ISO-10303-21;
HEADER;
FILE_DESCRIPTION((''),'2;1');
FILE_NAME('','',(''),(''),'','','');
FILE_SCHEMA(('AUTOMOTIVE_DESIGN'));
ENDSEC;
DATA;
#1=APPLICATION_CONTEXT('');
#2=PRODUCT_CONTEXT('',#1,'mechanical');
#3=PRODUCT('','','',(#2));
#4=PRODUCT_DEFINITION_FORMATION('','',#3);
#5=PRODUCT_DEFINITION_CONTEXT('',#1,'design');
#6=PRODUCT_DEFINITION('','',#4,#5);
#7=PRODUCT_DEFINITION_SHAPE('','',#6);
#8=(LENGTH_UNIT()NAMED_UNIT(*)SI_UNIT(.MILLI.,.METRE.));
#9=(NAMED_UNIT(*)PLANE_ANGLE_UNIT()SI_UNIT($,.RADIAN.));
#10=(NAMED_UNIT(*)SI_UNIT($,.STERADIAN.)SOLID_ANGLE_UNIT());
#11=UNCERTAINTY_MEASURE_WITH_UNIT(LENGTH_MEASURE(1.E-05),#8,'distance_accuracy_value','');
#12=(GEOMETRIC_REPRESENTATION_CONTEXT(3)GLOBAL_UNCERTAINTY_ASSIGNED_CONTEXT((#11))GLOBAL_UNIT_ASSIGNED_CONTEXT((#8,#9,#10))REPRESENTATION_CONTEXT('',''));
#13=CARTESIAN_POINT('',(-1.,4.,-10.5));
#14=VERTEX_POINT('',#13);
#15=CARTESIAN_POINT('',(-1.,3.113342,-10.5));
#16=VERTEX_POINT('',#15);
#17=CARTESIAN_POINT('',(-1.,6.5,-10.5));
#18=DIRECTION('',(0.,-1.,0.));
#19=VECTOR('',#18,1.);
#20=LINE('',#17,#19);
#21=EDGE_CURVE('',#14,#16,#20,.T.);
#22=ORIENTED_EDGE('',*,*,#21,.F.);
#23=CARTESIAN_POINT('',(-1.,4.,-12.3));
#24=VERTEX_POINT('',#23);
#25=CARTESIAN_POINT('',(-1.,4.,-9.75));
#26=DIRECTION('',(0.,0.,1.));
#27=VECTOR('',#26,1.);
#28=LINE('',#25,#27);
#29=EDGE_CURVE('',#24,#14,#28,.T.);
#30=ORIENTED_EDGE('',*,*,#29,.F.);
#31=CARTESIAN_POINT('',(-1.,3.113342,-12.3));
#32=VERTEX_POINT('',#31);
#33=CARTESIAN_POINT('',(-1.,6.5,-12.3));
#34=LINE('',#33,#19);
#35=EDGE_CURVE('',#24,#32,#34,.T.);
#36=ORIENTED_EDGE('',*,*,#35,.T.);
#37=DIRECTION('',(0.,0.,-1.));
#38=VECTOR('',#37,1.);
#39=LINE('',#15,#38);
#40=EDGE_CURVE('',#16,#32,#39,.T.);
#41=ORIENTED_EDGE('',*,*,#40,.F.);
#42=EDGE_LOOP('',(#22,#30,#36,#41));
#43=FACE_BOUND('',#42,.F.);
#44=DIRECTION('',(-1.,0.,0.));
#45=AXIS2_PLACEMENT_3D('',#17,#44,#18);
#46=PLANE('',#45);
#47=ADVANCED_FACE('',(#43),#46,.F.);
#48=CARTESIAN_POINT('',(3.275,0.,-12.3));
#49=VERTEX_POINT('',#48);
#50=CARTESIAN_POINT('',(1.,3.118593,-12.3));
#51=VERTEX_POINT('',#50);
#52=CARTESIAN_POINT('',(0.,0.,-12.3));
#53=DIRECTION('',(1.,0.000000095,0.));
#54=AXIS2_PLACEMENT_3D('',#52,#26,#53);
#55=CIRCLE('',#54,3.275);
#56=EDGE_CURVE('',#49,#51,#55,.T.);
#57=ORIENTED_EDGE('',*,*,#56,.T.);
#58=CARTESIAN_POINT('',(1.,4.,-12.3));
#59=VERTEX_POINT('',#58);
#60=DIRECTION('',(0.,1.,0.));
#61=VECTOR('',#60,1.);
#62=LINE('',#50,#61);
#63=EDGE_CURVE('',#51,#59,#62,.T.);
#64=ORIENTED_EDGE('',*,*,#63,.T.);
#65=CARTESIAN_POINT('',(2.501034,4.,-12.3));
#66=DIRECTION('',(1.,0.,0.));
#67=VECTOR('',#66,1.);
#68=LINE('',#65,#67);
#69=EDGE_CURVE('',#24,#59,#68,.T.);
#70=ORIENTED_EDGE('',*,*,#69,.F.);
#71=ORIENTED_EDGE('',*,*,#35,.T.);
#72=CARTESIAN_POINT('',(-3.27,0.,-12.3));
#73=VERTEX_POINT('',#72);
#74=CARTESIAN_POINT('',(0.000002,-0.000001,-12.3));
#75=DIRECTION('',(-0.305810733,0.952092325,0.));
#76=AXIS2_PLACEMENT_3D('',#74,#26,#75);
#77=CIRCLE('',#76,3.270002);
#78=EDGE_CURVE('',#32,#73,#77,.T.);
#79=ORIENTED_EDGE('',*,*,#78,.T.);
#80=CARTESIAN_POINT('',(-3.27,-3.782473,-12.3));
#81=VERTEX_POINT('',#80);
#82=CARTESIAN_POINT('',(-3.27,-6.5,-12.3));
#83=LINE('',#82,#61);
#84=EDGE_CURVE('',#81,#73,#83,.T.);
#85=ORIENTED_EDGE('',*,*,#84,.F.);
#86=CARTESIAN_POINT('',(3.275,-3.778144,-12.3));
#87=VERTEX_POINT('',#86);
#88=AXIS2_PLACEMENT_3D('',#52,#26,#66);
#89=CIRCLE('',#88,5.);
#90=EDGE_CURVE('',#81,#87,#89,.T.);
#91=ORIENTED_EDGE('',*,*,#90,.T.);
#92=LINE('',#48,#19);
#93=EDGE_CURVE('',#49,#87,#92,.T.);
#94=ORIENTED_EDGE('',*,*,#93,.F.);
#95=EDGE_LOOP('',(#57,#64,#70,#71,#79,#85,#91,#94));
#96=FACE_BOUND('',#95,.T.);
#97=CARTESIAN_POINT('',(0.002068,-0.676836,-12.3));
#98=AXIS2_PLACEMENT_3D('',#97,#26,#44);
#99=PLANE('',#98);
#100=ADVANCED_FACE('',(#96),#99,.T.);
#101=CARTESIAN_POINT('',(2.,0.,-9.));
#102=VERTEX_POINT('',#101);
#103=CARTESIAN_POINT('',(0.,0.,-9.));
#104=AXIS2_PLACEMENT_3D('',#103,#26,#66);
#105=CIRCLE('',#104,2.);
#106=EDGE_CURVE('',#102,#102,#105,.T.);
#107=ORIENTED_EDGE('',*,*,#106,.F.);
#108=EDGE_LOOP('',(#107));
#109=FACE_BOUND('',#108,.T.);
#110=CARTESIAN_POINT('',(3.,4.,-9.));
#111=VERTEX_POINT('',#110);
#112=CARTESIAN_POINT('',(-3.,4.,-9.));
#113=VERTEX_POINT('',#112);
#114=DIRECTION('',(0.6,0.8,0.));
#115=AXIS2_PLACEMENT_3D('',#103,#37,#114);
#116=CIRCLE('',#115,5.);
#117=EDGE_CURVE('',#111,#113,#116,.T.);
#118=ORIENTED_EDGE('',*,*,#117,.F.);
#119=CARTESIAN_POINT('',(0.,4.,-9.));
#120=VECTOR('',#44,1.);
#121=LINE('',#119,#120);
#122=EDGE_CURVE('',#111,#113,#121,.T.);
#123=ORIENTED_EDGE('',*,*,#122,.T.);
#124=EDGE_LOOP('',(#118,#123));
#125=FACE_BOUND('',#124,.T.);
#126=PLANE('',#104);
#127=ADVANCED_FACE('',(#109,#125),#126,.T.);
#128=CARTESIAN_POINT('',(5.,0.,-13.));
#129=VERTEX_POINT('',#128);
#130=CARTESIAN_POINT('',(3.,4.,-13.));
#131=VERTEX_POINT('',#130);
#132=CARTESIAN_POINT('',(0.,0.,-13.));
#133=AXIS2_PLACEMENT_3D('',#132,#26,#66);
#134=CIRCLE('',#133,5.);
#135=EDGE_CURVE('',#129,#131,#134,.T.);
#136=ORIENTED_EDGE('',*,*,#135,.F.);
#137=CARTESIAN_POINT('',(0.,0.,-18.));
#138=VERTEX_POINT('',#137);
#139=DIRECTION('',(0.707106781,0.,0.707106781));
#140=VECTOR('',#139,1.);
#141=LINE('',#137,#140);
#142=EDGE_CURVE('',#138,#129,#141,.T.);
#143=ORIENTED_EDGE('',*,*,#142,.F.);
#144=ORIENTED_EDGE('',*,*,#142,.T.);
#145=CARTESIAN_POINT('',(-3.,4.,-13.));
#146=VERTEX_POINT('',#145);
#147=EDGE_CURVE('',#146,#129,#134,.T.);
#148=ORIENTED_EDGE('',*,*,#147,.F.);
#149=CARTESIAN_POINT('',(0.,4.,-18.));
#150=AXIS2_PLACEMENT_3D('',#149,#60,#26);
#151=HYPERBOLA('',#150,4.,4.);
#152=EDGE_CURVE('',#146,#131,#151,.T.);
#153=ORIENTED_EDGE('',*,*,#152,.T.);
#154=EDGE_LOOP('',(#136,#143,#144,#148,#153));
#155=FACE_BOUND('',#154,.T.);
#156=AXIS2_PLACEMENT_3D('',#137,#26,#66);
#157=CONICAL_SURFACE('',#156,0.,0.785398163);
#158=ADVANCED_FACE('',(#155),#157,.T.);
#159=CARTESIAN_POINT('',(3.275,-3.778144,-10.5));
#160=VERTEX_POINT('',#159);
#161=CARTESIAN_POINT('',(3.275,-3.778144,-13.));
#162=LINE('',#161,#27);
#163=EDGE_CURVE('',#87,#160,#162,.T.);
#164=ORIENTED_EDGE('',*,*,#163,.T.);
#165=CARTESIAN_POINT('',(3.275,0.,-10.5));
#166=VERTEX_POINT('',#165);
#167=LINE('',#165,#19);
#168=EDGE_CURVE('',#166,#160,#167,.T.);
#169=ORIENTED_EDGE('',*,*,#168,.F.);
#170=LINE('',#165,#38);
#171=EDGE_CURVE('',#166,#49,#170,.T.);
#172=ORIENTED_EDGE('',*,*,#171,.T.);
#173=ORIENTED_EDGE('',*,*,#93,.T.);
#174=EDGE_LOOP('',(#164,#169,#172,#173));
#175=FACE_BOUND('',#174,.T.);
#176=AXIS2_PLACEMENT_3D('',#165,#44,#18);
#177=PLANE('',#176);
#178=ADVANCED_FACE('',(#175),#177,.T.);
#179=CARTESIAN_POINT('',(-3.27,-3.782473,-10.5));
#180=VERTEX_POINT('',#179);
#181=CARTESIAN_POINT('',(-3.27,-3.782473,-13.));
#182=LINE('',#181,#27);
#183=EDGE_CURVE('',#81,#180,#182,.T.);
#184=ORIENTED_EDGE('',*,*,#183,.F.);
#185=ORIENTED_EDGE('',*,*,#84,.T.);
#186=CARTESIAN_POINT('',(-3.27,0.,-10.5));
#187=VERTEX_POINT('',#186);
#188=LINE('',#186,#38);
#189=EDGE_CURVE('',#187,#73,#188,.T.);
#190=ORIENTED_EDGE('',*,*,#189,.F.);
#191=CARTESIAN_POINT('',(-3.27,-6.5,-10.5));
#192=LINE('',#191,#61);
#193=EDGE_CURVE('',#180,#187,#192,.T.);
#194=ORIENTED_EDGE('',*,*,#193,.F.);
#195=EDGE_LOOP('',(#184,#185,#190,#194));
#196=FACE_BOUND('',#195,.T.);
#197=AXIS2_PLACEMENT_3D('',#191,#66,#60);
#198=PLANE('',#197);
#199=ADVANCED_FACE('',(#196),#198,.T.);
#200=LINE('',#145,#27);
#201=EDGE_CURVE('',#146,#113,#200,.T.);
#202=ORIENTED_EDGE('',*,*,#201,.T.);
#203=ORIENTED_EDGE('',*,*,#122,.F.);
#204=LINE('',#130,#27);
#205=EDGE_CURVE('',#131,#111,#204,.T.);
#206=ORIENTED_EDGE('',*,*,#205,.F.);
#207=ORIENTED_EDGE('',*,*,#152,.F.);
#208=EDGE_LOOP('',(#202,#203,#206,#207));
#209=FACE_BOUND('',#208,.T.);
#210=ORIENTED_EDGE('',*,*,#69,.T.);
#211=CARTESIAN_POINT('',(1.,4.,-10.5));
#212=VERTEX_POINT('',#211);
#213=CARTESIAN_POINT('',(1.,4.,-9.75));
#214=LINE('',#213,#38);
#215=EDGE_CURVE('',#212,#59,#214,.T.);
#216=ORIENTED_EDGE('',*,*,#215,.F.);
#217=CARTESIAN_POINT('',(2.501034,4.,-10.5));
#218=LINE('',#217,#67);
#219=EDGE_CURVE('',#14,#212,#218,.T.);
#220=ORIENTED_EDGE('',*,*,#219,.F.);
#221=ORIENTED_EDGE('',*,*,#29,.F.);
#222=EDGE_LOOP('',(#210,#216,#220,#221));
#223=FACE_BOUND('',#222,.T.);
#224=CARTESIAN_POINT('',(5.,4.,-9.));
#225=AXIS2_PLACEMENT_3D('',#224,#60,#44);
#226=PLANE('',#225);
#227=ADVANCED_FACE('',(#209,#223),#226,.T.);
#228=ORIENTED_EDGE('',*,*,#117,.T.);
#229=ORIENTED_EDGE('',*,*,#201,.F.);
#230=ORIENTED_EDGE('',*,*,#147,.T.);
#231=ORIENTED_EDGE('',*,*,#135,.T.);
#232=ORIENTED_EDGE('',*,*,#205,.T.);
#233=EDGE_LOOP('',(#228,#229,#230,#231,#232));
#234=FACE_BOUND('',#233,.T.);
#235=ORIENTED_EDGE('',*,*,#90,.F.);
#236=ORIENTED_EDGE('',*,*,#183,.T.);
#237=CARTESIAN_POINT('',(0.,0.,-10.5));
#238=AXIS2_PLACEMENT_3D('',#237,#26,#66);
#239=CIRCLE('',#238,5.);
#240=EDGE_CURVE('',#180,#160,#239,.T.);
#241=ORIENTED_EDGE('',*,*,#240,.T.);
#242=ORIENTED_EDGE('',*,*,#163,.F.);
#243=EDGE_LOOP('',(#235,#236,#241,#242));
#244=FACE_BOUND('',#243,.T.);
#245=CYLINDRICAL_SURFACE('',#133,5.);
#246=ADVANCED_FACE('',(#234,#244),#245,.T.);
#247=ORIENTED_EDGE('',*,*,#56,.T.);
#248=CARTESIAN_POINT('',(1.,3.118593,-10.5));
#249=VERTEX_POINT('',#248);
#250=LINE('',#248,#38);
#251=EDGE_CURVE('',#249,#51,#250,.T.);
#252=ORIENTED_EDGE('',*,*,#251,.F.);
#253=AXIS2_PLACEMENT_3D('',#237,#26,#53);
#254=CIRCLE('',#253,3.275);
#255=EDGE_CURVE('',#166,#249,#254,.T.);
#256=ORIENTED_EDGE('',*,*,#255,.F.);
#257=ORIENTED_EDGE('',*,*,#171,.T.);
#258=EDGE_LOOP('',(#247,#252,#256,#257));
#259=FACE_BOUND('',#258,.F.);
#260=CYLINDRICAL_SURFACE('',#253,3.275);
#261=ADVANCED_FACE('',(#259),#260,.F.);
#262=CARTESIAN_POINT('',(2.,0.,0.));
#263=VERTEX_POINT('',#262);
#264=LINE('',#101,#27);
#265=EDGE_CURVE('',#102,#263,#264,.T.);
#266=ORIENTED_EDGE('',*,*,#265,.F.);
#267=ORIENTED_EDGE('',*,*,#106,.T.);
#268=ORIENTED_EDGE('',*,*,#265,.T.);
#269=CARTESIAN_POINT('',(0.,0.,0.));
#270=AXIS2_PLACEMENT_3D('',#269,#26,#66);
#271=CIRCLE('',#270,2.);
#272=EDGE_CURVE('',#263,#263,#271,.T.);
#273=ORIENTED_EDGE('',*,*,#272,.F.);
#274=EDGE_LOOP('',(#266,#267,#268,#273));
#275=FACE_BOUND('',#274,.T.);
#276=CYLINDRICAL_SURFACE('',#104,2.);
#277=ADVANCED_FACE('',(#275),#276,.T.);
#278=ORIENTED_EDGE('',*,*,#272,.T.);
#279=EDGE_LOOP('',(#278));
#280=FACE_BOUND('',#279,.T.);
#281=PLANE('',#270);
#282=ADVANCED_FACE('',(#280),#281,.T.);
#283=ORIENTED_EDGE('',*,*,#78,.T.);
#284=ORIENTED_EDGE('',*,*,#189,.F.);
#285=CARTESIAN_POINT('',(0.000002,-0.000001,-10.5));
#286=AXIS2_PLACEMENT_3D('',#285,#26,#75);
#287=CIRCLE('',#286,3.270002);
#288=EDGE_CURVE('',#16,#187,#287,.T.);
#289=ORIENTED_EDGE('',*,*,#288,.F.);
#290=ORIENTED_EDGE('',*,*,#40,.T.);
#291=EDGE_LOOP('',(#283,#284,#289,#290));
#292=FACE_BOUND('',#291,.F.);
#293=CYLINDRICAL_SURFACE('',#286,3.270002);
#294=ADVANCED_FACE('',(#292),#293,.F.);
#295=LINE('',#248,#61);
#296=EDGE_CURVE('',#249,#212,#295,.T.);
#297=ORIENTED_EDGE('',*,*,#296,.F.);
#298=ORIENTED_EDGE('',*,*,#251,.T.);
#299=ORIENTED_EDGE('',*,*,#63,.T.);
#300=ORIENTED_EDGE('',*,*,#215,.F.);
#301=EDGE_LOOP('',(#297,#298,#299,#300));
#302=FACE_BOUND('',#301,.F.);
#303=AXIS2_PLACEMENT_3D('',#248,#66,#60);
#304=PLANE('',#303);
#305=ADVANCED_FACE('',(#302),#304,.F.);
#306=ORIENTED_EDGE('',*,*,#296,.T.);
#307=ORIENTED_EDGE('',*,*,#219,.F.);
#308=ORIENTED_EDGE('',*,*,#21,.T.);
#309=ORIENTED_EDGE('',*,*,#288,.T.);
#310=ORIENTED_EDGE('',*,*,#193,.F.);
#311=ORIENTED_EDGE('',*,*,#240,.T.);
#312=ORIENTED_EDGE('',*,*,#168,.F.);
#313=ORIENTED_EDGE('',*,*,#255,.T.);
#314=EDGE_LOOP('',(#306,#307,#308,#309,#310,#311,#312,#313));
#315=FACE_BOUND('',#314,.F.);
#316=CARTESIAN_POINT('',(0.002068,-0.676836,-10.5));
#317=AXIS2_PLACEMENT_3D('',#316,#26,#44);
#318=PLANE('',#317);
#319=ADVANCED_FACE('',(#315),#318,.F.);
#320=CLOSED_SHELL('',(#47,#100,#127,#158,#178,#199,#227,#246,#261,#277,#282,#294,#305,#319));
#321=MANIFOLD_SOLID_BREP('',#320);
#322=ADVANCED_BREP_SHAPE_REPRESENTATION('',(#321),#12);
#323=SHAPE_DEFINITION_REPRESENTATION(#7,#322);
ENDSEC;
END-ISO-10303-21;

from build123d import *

# Parameters (mm, degrees)
SKETCH008_W     = 10
SKETCH008_H     = 1.5
POCKET004_DEPTH = 9.001
POCKET005_DEPTH = 1.8


with BuildPart() as part:
    # Sketch007 → Revolution001 (revolve)
    with BuildSketch(Plane.XZ):
        Polygon((0, 0), (0, -18), (5, -13), (5, -9), (2, -9), (2, 0), align=None)
    revolve(axis=Axis((0, 0, 0), (0, 0, 1)))

    # Sketch008 (on Face3 of Revolution001) → Pocket004 (cut, through all)
    with BuildSketch(Plane(origin=(0, 0, -9), x_dir=(-1, 0, 0), z_dir=(0, 0, 1))):
        with Locations((0, -4.75)):
            Rectangle(SKETCH008_W, SKETCH008_H)
    extrude(amount=-POCKET004_DEPTH, mode=Mode.SUBTRACT)

    # Sketch009 (on Face5 of Pocket004) → Pocket005 (cut)
    with BuildSketch(Plane(origin=(0, 0, -10.5), x_dir=(-1, 0, 0), z_dir=(0, 0, 1))):
        with BuildLine():
            ThreePointArc((-3.275, 0), (-2.64581, -1.930107), (-1, -3.118593))
            Line((-1, -3.118593), (-1, -6.5))
            Line((-1, -6.5), (1, -6.5))
            Line((1, -6.5), (1, -3.113342))
            ThreePointArc((1, -3.113342), (2.642243, -1.926512), (3.27, 0))
            Line((3.27, 6.5), (3.27, 0))
            Line((-3.275, 6.5), (3.27, 6.5))
            Line((-3.275, 0), (-3.275, 6.5))
        make_face()
    extrude(amount=-POCKET005_DEPTH, mode=Mode.SUBTRACT)


solid = part.part
